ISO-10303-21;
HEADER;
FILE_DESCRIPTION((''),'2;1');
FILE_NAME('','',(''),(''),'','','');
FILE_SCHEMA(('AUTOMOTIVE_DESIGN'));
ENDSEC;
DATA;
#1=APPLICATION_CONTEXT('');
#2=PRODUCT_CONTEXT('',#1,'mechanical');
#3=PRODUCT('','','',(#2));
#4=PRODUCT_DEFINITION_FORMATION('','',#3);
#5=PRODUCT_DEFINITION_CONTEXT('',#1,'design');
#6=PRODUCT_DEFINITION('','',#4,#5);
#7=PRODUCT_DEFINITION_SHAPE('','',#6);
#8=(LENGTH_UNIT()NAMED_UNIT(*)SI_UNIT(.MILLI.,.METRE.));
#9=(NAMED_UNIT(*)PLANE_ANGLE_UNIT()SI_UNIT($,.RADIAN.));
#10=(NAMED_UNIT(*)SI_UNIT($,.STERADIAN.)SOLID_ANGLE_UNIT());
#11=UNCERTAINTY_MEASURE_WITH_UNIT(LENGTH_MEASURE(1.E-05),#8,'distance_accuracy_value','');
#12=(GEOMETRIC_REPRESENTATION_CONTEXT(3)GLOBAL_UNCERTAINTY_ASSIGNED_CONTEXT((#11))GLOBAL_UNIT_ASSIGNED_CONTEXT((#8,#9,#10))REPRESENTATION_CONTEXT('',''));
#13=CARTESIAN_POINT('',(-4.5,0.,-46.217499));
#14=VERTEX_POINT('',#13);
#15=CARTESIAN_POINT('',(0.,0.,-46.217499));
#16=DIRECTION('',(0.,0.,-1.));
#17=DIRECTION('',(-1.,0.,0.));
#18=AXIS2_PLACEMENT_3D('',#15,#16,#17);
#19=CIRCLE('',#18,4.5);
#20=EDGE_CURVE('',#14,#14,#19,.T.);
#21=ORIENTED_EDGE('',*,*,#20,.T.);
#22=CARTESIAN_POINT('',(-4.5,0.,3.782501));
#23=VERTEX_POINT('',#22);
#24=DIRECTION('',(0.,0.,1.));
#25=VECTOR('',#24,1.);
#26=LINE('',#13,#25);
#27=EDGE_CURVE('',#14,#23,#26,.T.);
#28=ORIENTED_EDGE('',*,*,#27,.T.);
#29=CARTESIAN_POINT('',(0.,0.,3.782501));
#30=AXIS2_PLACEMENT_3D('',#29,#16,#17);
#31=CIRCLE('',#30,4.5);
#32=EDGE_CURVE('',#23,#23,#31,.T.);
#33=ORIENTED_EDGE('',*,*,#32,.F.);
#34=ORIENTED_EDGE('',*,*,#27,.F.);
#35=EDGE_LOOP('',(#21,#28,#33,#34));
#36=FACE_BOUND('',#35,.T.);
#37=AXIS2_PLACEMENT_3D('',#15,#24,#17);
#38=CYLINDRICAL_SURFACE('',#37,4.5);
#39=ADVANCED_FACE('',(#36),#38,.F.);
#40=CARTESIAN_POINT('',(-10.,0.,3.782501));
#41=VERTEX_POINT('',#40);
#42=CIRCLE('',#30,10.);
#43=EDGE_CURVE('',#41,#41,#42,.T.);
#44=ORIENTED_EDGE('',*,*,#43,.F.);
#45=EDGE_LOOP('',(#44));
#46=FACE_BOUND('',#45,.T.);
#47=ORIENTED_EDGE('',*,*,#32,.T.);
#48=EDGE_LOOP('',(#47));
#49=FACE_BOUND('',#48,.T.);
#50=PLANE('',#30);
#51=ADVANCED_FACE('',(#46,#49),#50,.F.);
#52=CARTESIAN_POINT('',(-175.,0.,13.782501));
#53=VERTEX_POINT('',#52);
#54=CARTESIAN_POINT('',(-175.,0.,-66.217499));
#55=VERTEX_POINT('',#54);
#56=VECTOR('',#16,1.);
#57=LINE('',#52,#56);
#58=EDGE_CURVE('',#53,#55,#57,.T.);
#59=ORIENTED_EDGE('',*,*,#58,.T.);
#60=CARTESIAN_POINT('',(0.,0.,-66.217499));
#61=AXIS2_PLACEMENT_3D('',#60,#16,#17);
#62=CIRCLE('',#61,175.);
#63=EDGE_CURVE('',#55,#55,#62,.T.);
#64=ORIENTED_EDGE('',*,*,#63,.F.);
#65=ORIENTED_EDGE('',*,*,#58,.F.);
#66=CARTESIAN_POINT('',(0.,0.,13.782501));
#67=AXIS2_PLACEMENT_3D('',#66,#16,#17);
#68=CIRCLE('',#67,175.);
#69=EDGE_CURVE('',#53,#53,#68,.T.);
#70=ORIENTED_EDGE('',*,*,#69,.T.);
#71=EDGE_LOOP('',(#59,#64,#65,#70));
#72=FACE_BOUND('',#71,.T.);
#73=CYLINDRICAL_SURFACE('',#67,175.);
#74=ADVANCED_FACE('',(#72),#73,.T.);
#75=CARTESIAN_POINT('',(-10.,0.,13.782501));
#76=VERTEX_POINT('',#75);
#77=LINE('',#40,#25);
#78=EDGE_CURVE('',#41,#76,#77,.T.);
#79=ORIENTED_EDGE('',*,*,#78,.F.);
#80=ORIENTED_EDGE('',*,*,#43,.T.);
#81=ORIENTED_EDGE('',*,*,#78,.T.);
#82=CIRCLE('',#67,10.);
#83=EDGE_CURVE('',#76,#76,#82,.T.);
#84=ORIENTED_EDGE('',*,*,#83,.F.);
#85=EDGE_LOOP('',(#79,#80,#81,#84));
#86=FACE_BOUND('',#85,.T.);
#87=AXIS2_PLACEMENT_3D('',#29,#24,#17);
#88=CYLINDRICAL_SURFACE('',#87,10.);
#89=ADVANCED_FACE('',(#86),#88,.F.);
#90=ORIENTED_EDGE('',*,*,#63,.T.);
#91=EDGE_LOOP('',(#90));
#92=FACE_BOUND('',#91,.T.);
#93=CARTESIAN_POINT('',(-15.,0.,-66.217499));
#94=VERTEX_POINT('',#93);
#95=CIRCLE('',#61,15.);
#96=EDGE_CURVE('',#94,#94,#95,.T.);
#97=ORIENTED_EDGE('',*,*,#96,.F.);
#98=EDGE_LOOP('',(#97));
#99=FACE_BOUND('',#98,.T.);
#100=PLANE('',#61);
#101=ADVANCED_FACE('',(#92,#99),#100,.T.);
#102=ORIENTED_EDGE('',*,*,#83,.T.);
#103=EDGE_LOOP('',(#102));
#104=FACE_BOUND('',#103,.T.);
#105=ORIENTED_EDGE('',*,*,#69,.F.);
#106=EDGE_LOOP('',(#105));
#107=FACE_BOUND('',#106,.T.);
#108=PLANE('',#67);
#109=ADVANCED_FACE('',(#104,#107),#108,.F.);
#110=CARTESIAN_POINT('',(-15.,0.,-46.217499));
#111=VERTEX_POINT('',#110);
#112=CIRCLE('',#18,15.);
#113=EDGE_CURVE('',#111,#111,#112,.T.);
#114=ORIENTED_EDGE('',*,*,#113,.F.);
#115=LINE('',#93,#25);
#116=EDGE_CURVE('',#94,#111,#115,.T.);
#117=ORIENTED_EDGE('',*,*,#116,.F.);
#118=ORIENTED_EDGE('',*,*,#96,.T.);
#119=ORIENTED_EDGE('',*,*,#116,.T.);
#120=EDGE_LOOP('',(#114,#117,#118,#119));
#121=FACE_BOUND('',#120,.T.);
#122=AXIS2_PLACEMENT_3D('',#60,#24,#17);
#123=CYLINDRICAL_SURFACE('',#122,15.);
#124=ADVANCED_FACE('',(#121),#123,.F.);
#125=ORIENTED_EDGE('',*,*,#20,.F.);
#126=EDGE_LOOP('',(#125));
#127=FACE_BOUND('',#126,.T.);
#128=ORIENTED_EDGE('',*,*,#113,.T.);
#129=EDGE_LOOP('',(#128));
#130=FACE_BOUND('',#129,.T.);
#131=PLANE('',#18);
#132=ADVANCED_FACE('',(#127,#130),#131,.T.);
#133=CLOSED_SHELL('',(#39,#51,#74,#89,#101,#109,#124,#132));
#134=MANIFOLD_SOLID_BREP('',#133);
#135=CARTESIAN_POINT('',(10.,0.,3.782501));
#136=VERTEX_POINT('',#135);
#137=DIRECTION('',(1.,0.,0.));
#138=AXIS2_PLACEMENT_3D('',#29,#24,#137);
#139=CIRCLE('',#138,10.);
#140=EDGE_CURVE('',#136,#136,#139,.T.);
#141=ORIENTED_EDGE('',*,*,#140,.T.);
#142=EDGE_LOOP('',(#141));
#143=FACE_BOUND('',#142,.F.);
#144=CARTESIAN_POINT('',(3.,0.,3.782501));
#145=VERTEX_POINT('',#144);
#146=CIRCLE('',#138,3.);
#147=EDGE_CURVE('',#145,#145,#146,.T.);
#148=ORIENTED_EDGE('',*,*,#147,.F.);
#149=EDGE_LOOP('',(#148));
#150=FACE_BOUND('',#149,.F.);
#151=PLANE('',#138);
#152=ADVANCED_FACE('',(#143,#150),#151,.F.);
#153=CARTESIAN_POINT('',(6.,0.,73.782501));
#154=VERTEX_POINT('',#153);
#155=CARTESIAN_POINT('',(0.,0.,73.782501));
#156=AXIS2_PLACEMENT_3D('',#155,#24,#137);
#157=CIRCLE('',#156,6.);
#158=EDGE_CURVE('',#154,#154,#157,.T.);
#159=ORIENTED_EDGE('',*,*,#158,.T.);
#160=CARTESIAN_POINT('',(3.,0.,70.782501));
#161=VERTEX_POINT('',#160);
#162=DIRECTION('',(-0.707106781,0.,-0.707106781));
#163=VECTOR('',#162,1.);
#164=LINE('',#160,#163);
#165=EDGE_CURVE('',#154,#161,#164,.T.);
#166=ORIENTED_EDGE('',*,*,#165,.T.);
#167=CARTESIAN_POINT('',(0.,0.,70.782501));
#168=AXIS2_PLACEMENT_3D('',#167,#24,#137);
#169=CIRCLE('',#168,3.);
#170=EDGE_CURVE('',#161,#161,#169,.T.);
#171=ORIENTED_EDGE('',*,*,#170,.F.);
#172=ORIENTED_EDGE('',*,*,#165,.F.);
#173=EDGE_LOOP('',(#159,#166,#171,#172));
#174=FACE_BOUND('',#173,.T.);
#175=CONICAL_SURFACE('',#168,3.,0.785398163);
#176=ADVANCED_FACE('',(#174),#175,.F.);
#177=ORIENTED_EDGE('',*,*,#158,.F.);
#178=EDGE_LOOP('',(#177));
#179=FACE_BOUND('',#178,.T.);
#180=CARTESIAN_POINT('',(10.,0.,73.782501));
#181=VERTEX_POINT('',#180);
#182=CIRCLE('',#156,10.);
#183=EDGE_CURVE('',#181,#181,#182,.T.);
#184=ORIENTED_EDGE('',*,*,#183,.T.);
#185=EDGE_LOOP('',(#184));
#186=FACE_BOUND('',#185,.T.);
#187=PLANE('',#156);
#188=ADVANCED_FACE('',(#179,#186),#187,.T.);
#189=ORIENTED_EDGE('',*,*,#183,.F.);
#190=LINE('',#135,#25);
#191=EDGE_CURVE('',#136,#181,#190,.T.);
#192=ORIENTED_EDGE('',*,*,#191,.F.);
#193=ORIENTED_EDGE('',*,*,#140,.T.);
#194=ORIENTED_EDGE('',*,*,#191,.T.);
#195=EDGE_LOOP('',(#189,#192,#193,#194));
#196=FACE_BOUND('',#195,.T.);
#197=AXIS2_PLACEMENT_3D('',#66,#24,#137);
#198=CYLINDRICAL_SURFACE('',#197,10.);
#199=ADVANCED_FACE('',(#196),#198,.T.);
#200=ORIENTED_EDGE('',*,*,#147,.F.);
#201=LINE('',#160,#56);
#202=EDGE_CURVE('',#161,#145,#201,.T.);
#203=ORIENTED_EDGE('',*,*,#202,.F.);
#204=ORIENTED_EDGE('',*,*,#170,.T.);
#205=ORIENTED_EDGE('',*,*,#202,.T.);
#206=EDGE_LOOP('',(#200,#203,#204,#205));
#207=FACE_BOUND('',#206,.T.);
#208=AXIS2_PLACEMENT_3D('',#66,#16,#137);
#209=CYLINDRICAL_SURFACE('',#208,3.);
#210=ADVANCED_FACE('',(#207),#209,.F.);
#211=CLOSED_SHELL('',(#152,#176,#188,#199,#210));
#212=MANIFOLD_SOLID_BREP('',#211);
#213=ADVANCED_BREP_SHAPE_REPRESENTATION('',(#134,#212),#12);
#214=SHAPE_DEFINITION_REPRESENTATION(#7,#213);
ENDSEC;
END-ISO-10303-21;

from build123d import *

# Parameters (mm, degrees)
F2_R          = 10
F2_R_2        = 3
F3_DEPTH      = 60
F3_DEPTH_BACK = 10
F4_SIZE       = 3


with BuildPart() as f1:
    # F0 (on Front) → F1 (revolve)
    with BuildSketch(Plane.XZ):
        Polygon((-10, 3.782501), (-10, 13.782501), (-175, 13.782501), (-175, -66.217499), (-15, -66.217499), (-15, -46.217499), (-4.5, -46.217499), (-4.5, 3.782501), align=None)
    revolve(axis=Axis((0, 0, 9.751017), (0, 0, -1)))


with BuildPart() as f3:
    # F2 (on face) → F3 (new body, two sides)
    with BuildSketch(Plane.XY.offset(13.782501)) as f3_sk:
        Circle(F2_R)
        Circle(F2_R_2, mode=Mode.SUBTRACT)
    extrude(amount=F3_DEPTH)
    extrude(f3_sk.sketch, amount=-F3_DEPTH_BACK)

    # F4
    f4_edges = [f3.edges().sort_by_distance(p)[0] for p in [
        (-3, 0, 73.782501),
    ]]
    chamfer(f4_edges, length=F4_SIZE)


solid = Compound([f1.part, f3.part])
